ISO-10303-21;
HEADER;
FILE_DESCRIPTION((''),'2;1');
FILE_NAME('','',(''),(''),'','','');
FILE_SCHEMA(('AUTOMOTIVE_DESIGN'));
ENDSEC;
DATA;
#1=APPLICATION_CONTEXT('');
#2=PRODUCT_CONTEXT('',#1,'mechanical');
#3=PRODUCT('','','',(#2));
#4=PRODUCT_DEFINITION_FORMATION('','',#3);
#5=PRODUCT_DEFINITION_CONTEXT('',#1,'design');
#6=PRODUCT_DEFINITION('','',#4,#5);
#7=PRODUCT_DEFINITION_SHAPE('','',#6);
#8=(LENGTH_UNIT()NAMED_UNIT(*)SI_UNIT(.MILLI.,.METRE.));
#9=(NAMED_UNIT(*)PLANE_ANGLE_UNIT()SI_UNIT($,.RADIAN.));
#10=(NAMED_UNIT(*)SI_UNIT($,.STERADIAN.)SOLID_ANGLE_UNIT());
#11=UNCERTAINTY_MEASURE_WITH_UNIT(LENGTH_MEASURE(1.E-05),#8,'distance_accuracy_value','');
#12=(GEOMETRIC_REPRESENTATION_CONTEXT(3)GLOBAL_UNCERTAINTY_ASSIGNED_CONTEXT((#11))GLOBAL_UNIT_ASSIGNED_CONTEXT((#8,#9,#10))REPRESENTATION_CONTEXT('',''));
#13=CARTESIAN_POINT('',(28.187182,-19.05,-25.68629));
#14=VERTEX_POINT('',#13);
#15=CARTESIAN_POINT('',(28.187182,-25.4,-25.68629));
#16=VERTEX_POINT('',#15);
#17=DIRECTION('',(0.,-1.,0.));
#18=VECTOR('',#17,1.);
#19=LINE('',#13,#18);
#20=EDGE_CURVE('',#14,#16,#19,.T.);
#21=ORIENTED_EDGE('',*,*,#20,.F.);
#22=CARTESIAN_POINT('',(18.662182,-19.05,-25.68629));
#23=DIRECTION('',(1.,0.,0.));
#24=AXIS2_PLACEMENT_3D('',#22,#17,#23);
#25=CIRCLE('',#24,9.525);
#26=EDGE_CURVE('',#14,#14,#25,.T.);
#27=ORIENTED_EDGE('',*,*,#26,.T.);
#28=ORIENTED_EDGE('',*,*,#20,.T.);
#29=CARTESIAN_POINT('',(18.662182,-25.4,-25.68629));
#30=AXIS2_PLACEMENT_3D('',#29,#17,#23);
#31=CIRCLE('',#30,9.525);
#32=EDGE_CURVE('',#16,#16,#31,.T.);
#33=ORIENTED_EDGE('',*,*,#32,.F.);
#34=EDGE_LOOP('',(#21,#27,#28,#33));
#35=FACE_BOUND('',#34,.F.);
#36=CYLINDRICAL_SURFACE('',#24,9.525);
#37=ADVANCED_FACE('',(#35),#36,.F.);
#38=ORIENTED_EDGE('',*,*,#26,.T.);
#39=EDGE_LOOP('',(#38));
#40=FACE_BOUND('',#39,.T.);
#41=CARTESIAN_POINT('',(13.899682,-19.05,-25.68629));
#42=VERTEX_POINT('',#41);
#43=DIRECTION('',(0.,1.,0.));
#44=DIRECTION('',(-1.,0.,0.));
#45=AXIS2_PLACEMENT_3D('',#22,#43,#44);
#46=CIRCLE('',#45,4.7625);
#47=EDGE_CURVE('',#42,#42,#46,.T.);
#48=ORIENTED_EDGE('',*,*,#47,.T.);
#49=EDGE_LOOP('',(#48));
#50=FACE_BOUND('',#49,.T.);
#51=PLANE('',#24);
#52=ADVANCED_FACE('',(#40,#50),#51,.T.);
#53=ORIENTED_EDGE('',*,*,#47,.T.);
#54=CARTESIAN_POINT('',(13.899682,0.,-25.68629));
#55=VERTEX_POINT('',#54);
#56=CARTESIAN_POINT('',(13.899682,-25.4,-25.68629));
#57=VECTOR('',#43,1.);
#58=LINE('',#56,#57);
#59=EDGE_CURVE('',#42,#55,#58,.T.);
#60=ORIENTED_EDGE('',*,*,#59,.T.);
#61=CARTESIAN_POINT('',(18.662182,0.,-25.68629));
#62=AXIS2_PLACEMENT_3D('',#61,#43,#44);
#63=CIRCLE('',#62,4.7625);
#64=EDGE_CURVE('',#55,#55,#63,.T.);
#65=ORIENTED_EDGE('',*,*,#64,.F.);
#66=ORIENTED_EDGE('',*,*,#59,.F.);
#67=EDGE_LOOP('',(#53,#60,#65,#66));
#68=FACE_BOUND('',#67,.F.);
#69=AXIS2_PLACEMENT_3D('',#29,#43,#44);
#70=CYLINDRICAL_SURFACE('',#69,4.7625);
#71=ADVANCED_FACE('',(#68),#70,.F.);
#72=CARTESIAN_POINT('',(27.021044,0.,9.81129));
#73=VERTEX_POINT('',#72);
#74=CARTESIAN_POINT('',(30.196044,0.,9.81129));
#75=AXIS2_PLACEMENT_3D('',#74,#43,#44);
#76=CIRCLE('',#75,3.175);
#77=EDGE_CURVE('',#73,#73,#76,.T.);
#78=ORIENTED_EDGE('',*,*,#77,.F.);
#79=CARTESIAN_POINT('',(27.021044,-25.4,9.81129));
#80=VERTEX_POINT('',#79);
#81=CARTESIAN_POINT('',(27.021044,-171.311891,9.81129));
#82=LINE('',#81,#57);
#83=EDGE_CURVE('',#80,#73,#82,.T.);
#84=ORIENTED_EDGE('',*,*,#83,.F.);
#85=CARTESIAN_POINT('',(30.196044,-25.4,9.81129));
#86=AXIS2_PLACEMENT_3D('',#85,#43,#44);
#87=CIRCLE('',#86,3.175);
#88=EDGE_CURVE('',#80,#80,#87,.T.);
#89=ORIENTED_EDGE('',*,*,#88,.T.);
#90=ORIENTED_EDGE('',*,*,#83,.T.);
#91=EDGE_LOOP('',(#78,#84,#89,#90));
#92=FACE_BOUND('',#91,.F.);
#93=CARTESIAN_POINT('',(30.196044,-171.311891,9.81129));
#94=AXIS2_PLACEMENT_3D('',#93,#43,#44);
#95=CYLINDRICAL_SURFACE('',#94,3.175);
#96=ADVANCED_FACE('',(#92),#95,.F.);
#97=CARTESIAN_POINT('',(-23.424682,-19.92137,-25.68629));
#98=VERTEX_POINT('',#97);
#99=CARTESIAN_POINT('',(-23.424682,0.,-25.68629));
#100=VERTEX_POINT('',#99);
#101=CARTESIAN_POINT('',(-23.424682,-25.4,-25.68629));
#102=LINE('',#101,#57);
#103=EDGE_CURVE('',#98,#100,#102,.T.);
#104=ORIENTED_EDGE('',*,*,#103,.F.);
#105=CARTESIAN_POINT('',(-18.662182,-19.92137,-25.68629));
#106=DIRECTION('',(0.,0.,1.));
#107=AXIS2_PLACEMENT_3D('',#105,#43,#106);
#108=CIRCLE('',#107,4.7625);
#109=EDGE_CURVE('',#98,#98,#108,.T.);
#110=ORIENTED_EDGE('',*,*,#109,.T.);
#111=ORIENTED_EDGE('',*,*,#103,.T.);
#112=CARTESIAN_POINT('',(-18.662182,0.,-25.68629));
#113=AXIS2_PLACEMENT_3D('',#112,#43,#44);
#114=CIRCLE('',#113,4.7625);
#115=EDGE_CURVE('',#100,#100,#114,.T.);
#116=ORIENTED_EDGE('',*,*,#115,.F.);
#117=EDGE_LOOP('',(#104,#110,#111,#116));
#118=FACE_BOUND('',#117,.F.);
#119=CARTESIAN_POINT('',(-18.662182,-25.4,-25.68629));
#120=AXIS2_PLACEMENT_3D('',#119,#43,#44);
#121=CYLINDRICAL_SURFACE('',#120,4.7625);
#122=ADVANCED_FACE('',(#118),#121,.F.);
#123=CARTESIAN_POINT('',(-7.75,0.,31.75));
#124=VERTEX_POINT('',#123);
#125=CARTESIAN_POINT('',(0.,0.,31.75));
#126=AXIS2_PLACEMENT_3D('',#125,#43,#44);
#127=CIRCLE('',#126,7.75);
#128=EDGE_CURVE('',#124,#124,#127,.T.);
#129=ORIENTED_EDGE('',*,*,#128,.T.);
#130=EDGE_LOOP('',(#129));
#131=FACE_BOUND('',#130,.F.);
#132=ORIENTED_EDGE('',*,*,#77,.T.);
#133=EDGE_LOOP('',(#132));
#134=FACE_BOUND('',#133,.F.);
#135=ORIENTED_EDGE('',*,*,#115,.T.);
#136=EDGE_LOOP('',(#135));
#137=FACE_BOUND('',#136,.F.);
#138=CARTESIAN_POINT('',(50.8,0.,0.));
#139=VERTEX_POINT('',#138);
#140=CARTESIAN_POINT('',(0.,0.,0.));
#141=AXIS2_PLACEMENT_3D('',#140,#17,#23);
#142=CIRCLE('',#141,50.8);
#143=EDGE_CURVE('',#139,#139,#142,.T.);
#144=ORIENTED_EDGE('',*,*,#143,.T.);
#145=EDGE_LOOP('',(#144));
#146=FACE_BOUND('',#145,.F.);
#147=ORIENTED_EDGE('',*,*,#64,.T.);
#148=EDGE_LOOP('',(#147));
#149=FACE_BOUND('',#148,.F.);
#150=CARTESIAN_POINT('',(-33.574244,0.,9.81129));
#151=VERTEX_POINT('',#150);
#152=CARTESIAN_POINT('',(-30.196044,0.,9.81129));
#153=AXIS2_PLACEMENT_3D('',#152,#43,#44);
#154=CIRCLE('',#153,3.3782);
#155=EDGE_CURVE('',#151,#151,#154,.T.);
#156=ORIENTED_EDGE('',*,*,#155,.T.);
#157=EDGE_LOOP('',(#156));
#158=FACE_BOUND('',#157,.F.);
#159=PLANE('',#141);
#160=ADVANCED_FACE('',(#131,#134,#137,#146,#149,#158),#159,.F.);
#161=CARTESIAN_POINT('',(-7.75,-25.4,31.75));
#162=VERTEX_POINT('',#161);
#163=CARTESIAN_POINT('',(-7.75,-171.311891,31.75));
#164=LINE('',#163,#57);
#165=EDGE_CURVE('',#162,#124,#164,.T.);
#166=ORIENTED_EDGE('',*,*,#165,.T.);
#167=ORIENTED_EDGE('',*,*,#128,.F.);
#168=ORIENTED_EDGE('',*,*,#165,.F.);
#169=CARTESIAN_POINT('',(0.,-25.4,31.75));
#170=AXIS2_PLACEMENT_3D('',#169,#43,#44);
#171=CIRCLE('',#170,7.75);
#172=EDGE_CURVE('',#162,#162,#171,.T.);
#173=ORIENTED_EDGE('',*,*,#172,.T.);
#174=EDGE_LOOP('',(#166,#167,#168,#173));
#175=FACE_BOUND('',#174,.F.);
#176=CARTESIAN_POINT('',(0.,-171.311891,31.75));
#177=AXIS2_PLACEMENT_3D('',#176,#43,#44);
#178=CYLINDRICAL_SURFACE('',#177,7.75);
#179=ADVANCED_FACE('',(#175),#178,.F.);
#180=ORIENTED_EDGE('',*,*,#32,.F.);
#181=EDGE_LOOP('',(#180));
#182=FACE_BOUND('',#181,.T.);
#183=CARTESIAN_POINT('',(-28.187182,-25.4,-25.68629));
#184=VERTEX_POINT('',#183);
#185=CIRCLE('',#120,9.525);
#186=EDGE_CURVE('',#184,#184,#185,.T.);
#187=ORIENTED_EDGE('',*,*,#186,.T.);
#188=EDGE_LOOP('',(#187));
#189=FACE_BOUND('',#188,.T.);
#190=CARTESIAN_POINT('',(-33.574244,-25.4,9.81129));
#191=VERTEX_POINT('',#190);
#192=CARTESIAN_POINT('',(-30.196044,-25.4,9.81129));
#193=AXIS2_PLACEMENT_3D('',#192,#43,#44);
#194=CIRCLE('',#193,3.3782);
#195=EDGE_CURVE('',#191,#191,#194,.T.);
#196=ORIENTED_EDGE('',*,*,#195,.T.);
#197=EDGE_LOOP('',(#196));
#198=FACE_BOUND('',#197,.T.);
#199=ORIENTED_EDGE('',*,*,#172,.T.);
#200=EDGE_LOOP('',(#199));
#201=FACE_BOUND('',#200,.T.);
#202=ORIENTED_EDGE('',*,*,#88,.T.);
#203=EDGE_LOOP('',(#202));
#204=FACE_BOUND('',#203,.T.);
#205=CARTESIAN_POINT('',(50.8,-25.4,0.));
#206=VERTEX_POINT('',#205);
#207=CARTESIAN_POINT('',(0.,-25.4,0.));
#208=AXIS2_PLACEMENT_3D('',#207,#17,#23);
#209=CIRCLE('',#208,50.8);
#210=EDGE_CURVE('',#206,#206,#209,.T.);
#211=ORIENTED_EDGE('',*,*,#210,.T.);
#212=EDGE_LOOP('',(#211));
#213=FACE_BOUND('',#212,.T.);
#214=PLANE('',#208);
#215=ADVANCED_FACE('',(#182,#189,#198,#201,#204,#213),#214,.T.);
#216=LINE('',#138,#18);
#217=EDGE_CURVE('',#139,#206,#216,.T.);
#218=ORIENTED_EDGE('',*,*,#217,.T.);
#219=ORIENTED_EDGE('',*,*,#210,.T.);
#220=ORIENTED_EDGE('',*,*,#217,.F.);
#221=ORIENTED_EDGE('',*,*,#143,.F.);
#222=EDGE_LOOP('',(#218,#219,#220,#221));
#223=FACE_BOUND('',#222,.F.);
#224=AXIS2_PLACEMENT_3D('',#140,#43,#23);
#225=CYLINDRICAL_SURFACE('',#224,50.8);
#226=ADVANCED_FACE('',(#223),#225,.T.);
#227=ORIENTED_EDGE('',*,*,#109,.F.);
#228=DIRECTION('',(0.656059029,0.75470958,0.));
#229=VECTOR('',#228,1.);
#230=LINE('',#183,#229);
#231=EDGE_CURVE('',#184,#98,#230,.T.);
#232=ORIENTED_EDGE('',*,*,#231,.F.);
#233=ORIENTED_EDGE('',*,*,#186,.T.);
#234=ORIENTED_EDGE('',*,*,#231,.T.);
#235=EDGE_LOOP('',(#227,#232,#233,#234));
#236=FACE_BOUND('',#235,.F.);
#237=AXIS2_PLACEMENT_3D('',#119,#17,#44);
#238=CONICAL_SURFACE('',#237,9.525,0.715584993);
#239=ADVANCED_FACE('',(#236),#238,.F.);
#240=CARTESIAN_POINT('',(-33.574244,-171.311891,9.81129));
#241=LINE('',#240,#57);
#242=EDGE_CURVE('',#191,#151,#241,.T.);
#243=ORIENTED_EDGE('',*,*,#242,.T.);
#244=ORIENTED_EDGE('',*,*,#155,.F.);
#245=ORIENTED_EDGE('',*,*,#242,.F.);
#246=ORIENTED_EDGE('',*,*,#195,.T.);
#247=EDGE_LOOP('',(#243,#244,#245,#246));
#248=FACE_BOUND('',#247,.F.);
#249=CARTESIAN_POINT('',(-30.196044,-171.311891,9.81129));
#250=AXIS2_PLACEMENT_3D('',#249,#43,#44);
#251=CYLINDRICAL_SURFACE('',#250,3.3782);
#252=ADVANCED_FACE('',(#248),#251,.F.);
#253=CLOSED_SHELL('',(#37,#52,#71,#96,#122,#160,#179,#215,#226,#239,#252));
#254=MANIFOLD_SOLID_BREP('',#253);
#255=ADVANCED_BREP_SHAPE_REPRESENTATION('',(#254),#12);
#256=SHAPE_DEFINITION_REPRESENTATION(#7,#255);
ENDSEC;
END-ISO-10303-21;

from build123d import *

# Parameters (mm, degrees)
F0_R           = 50.8
F1_DEPTH       = 25.4
F3_D           = 6.35
F4_D           = 9.525
F4_CBORE_D     = 19.05
F4_CBORE_DEPTH = 6.35
F5_D           = 9.525
F5_CSINK_D     = 19.05
F5_CSINK_ANGLE = 82
F6_D           = 6.7564
F7_D           = 15.5


with BuildPart() as f1:
    # F0 (on Front) → F1 (new body)
    with BuildSketch(Plane.XZ):
        Circle(F0_R)
    extrude(amount=F1_DEPTH)

    # F3 (through all)
    with Locations(Plane.XZ.offset(25.4)):
        with Locations((30.1960443924, 9.8112895714)):
            Hole(F3_D / 2)

    # F4 (through all)
    with Locations(Plane.XZ.offset(25.4)):
        with Locations((18.6621817603, -25.6862895714)):
            CounterBoreHole(F4_D / 2, F4_CBORE_D / 2, F4_CBORE_DEPTH)

    # F5 (through all)
    with Locations(Plane.XZ.offset(25.4)):
        with Locations((-18.6621817603, -25.6862895714)):
            CounterSinkHole(F5_D / 2, F5_CSINK_D / 2, counter_sink_angle=F5_CSINK_ANGLE)

    # F6 (through all)
    with Locations(Plane.XZ.offset(25.4)):
        with Locations((-30.1960443924, 9.8112895714)):
            Hole(F6_D / 2)

    # F7 (through all)
    with Locations(Plane.XZ.offset(25.4)):
        with Locations((0, 31.75)):
            Hole(F7_D / 2)


solid = f1.part
